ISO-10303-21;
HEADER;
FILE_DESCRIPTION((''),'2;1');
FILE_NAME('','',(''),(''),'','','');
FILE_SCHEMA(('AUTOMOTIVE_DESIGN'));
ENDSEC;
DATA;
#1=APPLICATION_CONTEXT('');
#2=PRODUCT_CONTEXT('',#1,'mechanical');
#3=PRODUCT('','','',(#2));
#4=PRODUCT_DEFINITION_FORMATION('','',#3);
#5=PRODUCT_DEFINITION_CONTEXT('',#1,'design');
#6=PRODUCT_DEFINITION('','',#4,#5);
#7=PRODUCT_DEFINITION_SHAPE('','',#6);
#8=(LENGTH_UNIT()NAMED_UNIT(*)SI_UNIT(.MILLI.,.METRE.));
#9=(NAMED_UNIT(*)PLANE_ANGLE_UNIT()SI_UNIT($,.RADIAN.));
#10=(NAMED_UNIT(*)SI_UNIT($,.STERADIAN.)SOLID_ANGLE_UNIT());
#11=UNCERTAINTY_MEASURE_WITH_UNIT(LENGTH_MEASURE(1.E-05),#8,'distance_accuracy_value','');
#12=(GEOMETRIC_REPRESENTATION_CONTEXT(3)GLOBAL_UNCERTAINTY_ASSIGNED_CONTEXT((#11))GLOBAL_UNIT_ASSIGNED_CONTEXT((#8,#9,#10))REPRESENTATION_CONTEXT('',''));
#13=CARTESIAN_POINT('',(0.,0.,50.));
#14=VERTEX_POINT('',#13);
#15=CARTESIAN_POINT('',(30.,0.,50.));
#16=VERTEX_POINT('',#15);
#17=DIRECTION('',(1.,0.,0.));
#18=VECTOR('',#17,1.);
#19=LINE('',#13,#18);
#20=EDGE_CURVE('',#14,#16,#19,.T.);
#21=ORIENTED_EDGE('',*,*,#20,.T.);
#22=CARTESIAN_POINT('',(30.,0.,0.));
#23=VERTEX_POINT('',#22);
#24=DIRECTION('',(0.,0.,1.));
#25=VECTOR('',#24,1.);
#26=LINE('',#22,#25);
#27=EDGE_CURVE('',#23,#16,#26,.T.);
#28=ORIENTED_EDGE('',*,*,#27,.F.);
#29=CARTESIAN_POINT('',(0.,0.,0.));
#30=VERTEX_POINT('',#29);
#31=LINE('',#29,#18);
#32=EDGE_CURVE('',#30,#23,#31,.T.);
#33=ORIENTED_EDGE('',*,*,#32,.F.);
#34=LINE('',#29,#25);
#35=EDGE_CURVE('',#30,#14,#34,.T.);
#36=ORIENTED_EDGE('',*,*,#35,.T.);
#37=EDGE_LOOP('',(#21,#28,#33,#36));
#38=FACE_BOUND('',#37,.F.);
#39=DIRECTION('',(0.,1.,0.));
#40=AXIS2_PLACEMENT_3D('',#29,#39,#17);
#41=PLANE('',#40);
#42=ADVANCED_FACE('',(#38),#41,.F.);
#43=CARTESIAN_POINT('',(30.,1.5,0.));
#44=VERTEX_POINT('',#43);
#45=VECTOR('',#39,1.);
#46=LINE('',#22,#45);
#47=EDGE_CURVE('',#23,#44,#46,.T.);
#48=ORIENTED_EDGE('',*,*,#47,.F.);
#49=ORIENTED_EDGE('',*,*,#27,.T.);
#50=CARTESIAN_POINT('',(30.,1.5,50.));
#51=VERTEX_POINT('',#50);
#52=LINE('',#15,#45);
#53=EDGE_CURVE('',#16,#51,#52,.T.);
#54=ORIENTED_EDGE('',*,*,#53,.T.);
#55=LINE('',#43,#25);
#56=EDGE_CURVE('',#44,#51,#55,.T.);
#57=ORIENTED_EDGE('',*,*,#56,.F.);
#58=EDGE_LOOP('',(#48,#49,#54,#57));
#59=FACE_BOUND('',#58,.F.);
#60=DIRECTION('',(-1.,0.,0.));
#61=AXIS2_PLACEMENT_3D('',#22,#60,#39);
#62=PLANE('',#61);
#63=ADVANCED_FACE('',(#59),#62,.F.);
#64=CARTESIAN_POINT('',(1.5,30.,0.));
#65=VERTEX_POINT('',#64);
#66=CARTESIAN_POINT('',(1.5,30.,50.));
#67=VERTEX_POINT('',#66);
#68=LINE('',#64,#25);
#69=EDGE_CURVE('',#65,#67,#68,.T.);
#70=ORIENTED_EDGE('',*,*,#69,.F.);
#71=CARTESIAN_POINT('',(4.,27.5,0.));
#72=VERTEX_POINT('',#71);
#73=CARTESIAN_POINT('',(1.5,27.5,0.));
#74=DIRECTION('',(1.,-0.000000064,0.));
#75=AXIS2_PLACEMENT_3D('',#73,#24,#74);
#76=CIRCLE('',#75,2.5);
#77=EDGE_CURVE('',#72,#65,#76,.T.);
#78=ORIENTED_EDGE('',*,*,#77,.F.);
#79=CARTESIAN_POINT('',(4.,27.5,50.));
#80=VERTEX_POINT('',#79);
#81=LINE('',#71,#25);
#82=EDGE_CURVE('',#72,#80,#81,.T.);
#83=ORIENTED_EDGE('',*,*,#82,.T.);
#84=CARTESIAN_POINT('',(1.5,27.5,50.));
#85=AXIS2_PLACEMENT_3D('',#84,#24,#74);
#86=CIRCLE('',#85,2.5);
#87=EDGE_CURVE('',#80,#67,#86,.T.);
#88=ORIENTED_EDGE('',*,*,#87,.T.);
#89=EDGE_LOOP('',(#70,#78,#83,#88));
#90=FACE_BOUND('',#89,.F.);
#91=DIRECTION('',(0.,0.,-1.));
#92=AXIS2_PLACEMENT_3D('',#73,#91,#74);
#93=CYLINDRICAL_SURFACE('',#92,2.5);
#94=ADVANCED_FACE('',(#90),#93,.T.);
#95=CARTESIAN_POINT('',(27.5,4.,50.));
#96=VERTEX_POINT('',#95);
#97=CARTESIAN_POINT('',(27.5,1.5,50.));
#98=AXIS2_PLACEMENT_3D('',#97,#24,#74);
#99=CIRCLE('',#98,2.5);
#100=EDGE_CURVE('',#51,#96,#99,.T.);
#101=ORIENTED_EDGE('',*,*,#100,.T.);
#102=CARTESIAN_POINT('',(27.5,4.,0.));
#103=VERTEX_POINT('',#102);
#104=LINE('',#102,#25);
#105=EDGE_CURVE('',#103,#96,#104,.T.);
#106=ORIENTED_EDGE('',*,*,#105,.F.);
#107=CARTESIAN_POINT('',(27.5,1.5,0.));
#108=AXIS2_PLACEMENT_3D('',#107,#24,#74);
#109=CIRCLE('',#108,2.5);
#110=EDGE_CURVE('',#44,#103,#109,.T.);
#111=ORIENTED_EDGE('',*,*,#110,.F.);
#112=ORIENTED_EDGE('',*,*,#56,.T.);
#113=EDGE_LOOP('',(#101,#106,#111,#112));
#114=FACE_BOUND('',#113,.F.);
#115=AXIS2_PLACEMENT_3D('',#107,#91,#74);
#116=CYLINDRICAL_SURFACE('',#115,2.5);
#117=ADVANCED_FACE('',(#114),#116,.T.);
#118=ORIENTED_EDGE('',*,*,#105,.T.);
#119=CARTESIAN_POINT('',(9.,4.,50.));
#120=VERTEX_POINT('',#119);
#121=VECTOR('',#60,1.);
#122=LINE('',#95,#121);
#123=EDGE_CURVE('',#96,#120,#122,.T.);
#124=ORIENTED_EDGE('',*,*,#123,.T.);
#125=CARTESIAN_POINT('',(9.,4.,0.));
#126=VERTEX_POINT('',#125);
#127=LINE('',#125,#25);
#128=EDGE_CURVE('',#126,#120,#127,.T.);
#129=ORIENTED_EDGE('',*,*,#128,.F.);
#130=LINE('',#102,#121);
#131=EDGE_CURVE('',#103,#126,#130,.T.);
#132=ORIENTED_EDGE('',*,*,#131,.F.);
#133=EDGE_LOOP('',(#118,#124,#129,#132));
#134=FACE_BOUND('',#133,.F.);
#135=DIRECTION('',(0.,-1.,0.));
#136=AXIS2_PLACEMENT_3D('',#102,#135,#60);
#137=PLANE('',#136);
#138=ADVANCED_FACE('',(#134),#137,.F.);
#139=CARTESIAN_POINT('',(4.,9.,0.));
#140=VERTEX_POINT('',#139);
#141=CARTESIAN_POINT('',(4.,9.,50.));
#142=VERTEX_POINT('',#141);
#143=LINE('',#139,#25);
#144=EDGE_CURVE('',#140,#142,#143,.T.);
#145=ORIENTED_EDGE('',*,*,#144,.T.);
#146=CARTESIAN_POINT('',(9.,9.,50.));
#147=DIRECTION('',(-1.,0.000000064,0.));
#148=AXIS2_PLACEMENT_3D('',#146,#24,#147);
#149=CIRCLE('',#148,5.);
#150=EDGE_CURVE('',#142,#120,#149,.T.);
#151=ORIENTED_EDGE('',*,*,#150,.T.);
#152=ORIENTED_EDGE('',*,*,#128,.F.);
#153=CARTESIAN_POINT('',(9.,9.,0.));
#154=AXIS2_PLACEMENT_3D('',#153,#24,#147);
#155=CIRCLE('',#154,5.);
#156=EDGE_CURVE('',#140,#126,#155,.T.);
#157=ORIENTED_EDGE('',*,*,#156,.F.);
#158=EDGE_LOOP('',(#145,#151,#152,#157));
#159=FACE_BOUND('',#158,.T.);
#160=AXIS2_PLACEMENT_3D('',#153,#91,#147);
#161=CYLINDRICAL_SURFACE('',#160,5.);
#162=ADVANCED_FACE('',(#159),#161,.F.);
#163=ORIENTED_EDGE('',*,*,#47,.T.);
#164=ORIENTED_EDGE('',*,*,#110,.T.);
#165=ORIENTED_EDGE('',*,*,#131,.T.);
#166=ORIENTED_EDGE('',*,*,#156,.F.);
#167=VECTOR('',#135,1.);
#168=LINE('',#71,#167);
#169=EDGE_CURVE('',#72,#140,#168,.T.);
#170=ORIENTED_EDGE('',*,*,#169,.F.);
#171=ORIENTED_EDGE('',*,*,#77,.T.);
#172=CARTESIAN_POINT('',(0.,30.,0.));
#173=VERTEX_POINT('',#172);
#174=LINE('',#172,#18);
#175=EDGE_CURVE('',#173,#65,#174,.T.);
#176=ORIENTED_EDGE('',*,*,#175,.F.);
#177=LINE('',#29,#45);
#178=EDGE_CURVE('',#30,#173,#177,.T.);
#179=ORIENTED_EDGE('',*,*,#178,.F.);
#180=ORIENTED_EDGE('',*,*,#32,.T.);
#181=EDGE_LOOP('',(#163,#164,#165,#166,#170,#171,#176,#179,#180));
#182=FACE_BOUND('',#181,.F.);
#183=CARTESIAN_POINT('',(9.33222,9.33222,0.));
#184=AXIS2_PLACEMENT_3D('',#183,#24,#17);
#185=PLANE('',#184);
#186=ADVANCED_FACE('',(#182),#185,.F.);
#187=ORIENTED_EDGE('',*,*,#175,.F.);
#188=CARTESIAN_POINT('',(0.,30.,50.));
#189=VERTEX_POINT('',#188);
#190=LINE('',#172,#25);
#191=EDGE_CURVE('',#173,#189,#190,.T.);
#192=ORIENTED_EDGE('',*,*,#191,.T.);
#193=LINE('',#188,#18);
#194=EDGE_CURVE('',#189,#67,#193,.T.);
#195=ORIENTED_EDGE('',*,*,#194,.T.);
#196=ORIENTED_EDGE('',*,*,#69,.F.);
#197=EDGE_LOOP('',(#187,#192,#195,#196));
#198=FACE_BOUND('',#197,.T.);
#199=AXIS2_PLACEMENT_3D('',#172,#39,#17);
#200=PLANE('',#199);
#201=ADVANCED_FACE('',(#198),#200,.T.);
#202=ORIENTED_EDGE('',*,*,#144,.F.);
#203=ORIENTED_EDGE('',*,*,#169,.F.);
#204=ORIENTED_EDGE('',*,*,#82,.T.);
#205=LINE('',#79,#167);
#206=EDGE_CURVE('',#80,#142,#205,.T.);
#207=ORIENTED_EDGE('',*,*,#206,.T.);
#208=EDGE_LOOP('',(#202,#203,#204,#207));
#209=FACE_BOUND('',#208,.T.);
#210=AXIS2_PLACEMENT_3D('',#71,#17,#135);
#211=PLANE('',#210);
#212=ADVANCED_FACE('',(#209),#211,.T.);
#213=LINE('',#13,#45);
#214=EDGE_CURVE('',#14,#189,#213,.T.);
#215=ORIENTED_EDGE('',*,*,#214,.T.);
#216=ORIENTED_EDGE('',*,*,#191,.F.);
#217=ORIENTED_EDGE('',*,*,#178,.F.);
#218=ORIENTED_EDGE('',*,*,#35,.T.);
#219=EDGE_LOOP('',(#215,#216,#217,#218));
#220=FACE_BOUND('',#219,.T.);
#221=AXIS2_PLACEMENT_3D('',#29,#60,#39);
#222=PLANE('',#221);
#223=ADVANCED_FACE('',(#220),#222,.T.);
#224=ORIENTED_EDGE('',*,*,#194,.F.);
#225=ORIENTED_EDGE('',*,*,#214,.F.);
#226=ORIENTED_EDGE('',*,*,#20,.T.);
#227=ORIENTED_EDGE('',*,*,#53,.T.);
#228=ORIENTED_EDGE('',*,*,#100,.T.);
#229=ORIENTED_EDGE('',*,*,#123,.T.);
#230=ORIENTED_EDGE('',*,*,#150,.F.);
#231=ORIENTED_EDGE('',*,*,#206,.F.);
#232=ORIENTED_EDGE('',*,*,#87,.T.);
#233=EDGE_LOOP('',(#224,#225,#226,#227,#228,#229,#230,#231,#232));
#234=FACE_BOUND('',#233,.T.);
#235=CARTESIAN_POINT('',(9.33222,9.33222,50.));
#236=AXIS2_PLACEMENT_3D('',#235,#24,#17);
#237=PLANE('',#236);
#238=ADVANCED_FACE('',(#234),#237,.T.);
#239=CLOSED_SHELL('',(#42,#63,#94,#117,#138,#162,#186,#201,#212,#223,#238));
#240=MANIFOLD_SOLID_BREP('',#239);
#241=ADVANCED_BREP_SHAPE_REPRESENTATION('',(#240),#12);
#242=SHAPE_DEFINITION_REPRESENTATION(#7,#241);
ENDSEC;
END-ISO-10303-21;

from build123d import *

# Parameters (mm, degrees)
EXTRUDE_DEPTH = 50


with BuildPart() as part:
    # Sketch → Extrude (new body)
    with BuildSketch(Plane.XY):
        with BuildLine():
            Line((0, 0), (30, 0))
            Line((30, 0), (30, 1.5))
            ThreePointArc((30, 1.5), (29.267767, 3.267767), (27.5, 4))
            Line((27.5, 4), (9, 4))
            ThreePointArc((4, 9), (5.464466, 5.464466), (9, 4))
            Line((4, 27.5), (4, 9))
            ThreePointArc((4, 27.5), (3.267767, 29.267767), (1.5, 30))
            Line((0, 30), (1.5, 30))
            Line((0, 0), (0, 30))
        make_face()
    extrude(amount=EXTRUDE_DEPTH)


solid = part.part
